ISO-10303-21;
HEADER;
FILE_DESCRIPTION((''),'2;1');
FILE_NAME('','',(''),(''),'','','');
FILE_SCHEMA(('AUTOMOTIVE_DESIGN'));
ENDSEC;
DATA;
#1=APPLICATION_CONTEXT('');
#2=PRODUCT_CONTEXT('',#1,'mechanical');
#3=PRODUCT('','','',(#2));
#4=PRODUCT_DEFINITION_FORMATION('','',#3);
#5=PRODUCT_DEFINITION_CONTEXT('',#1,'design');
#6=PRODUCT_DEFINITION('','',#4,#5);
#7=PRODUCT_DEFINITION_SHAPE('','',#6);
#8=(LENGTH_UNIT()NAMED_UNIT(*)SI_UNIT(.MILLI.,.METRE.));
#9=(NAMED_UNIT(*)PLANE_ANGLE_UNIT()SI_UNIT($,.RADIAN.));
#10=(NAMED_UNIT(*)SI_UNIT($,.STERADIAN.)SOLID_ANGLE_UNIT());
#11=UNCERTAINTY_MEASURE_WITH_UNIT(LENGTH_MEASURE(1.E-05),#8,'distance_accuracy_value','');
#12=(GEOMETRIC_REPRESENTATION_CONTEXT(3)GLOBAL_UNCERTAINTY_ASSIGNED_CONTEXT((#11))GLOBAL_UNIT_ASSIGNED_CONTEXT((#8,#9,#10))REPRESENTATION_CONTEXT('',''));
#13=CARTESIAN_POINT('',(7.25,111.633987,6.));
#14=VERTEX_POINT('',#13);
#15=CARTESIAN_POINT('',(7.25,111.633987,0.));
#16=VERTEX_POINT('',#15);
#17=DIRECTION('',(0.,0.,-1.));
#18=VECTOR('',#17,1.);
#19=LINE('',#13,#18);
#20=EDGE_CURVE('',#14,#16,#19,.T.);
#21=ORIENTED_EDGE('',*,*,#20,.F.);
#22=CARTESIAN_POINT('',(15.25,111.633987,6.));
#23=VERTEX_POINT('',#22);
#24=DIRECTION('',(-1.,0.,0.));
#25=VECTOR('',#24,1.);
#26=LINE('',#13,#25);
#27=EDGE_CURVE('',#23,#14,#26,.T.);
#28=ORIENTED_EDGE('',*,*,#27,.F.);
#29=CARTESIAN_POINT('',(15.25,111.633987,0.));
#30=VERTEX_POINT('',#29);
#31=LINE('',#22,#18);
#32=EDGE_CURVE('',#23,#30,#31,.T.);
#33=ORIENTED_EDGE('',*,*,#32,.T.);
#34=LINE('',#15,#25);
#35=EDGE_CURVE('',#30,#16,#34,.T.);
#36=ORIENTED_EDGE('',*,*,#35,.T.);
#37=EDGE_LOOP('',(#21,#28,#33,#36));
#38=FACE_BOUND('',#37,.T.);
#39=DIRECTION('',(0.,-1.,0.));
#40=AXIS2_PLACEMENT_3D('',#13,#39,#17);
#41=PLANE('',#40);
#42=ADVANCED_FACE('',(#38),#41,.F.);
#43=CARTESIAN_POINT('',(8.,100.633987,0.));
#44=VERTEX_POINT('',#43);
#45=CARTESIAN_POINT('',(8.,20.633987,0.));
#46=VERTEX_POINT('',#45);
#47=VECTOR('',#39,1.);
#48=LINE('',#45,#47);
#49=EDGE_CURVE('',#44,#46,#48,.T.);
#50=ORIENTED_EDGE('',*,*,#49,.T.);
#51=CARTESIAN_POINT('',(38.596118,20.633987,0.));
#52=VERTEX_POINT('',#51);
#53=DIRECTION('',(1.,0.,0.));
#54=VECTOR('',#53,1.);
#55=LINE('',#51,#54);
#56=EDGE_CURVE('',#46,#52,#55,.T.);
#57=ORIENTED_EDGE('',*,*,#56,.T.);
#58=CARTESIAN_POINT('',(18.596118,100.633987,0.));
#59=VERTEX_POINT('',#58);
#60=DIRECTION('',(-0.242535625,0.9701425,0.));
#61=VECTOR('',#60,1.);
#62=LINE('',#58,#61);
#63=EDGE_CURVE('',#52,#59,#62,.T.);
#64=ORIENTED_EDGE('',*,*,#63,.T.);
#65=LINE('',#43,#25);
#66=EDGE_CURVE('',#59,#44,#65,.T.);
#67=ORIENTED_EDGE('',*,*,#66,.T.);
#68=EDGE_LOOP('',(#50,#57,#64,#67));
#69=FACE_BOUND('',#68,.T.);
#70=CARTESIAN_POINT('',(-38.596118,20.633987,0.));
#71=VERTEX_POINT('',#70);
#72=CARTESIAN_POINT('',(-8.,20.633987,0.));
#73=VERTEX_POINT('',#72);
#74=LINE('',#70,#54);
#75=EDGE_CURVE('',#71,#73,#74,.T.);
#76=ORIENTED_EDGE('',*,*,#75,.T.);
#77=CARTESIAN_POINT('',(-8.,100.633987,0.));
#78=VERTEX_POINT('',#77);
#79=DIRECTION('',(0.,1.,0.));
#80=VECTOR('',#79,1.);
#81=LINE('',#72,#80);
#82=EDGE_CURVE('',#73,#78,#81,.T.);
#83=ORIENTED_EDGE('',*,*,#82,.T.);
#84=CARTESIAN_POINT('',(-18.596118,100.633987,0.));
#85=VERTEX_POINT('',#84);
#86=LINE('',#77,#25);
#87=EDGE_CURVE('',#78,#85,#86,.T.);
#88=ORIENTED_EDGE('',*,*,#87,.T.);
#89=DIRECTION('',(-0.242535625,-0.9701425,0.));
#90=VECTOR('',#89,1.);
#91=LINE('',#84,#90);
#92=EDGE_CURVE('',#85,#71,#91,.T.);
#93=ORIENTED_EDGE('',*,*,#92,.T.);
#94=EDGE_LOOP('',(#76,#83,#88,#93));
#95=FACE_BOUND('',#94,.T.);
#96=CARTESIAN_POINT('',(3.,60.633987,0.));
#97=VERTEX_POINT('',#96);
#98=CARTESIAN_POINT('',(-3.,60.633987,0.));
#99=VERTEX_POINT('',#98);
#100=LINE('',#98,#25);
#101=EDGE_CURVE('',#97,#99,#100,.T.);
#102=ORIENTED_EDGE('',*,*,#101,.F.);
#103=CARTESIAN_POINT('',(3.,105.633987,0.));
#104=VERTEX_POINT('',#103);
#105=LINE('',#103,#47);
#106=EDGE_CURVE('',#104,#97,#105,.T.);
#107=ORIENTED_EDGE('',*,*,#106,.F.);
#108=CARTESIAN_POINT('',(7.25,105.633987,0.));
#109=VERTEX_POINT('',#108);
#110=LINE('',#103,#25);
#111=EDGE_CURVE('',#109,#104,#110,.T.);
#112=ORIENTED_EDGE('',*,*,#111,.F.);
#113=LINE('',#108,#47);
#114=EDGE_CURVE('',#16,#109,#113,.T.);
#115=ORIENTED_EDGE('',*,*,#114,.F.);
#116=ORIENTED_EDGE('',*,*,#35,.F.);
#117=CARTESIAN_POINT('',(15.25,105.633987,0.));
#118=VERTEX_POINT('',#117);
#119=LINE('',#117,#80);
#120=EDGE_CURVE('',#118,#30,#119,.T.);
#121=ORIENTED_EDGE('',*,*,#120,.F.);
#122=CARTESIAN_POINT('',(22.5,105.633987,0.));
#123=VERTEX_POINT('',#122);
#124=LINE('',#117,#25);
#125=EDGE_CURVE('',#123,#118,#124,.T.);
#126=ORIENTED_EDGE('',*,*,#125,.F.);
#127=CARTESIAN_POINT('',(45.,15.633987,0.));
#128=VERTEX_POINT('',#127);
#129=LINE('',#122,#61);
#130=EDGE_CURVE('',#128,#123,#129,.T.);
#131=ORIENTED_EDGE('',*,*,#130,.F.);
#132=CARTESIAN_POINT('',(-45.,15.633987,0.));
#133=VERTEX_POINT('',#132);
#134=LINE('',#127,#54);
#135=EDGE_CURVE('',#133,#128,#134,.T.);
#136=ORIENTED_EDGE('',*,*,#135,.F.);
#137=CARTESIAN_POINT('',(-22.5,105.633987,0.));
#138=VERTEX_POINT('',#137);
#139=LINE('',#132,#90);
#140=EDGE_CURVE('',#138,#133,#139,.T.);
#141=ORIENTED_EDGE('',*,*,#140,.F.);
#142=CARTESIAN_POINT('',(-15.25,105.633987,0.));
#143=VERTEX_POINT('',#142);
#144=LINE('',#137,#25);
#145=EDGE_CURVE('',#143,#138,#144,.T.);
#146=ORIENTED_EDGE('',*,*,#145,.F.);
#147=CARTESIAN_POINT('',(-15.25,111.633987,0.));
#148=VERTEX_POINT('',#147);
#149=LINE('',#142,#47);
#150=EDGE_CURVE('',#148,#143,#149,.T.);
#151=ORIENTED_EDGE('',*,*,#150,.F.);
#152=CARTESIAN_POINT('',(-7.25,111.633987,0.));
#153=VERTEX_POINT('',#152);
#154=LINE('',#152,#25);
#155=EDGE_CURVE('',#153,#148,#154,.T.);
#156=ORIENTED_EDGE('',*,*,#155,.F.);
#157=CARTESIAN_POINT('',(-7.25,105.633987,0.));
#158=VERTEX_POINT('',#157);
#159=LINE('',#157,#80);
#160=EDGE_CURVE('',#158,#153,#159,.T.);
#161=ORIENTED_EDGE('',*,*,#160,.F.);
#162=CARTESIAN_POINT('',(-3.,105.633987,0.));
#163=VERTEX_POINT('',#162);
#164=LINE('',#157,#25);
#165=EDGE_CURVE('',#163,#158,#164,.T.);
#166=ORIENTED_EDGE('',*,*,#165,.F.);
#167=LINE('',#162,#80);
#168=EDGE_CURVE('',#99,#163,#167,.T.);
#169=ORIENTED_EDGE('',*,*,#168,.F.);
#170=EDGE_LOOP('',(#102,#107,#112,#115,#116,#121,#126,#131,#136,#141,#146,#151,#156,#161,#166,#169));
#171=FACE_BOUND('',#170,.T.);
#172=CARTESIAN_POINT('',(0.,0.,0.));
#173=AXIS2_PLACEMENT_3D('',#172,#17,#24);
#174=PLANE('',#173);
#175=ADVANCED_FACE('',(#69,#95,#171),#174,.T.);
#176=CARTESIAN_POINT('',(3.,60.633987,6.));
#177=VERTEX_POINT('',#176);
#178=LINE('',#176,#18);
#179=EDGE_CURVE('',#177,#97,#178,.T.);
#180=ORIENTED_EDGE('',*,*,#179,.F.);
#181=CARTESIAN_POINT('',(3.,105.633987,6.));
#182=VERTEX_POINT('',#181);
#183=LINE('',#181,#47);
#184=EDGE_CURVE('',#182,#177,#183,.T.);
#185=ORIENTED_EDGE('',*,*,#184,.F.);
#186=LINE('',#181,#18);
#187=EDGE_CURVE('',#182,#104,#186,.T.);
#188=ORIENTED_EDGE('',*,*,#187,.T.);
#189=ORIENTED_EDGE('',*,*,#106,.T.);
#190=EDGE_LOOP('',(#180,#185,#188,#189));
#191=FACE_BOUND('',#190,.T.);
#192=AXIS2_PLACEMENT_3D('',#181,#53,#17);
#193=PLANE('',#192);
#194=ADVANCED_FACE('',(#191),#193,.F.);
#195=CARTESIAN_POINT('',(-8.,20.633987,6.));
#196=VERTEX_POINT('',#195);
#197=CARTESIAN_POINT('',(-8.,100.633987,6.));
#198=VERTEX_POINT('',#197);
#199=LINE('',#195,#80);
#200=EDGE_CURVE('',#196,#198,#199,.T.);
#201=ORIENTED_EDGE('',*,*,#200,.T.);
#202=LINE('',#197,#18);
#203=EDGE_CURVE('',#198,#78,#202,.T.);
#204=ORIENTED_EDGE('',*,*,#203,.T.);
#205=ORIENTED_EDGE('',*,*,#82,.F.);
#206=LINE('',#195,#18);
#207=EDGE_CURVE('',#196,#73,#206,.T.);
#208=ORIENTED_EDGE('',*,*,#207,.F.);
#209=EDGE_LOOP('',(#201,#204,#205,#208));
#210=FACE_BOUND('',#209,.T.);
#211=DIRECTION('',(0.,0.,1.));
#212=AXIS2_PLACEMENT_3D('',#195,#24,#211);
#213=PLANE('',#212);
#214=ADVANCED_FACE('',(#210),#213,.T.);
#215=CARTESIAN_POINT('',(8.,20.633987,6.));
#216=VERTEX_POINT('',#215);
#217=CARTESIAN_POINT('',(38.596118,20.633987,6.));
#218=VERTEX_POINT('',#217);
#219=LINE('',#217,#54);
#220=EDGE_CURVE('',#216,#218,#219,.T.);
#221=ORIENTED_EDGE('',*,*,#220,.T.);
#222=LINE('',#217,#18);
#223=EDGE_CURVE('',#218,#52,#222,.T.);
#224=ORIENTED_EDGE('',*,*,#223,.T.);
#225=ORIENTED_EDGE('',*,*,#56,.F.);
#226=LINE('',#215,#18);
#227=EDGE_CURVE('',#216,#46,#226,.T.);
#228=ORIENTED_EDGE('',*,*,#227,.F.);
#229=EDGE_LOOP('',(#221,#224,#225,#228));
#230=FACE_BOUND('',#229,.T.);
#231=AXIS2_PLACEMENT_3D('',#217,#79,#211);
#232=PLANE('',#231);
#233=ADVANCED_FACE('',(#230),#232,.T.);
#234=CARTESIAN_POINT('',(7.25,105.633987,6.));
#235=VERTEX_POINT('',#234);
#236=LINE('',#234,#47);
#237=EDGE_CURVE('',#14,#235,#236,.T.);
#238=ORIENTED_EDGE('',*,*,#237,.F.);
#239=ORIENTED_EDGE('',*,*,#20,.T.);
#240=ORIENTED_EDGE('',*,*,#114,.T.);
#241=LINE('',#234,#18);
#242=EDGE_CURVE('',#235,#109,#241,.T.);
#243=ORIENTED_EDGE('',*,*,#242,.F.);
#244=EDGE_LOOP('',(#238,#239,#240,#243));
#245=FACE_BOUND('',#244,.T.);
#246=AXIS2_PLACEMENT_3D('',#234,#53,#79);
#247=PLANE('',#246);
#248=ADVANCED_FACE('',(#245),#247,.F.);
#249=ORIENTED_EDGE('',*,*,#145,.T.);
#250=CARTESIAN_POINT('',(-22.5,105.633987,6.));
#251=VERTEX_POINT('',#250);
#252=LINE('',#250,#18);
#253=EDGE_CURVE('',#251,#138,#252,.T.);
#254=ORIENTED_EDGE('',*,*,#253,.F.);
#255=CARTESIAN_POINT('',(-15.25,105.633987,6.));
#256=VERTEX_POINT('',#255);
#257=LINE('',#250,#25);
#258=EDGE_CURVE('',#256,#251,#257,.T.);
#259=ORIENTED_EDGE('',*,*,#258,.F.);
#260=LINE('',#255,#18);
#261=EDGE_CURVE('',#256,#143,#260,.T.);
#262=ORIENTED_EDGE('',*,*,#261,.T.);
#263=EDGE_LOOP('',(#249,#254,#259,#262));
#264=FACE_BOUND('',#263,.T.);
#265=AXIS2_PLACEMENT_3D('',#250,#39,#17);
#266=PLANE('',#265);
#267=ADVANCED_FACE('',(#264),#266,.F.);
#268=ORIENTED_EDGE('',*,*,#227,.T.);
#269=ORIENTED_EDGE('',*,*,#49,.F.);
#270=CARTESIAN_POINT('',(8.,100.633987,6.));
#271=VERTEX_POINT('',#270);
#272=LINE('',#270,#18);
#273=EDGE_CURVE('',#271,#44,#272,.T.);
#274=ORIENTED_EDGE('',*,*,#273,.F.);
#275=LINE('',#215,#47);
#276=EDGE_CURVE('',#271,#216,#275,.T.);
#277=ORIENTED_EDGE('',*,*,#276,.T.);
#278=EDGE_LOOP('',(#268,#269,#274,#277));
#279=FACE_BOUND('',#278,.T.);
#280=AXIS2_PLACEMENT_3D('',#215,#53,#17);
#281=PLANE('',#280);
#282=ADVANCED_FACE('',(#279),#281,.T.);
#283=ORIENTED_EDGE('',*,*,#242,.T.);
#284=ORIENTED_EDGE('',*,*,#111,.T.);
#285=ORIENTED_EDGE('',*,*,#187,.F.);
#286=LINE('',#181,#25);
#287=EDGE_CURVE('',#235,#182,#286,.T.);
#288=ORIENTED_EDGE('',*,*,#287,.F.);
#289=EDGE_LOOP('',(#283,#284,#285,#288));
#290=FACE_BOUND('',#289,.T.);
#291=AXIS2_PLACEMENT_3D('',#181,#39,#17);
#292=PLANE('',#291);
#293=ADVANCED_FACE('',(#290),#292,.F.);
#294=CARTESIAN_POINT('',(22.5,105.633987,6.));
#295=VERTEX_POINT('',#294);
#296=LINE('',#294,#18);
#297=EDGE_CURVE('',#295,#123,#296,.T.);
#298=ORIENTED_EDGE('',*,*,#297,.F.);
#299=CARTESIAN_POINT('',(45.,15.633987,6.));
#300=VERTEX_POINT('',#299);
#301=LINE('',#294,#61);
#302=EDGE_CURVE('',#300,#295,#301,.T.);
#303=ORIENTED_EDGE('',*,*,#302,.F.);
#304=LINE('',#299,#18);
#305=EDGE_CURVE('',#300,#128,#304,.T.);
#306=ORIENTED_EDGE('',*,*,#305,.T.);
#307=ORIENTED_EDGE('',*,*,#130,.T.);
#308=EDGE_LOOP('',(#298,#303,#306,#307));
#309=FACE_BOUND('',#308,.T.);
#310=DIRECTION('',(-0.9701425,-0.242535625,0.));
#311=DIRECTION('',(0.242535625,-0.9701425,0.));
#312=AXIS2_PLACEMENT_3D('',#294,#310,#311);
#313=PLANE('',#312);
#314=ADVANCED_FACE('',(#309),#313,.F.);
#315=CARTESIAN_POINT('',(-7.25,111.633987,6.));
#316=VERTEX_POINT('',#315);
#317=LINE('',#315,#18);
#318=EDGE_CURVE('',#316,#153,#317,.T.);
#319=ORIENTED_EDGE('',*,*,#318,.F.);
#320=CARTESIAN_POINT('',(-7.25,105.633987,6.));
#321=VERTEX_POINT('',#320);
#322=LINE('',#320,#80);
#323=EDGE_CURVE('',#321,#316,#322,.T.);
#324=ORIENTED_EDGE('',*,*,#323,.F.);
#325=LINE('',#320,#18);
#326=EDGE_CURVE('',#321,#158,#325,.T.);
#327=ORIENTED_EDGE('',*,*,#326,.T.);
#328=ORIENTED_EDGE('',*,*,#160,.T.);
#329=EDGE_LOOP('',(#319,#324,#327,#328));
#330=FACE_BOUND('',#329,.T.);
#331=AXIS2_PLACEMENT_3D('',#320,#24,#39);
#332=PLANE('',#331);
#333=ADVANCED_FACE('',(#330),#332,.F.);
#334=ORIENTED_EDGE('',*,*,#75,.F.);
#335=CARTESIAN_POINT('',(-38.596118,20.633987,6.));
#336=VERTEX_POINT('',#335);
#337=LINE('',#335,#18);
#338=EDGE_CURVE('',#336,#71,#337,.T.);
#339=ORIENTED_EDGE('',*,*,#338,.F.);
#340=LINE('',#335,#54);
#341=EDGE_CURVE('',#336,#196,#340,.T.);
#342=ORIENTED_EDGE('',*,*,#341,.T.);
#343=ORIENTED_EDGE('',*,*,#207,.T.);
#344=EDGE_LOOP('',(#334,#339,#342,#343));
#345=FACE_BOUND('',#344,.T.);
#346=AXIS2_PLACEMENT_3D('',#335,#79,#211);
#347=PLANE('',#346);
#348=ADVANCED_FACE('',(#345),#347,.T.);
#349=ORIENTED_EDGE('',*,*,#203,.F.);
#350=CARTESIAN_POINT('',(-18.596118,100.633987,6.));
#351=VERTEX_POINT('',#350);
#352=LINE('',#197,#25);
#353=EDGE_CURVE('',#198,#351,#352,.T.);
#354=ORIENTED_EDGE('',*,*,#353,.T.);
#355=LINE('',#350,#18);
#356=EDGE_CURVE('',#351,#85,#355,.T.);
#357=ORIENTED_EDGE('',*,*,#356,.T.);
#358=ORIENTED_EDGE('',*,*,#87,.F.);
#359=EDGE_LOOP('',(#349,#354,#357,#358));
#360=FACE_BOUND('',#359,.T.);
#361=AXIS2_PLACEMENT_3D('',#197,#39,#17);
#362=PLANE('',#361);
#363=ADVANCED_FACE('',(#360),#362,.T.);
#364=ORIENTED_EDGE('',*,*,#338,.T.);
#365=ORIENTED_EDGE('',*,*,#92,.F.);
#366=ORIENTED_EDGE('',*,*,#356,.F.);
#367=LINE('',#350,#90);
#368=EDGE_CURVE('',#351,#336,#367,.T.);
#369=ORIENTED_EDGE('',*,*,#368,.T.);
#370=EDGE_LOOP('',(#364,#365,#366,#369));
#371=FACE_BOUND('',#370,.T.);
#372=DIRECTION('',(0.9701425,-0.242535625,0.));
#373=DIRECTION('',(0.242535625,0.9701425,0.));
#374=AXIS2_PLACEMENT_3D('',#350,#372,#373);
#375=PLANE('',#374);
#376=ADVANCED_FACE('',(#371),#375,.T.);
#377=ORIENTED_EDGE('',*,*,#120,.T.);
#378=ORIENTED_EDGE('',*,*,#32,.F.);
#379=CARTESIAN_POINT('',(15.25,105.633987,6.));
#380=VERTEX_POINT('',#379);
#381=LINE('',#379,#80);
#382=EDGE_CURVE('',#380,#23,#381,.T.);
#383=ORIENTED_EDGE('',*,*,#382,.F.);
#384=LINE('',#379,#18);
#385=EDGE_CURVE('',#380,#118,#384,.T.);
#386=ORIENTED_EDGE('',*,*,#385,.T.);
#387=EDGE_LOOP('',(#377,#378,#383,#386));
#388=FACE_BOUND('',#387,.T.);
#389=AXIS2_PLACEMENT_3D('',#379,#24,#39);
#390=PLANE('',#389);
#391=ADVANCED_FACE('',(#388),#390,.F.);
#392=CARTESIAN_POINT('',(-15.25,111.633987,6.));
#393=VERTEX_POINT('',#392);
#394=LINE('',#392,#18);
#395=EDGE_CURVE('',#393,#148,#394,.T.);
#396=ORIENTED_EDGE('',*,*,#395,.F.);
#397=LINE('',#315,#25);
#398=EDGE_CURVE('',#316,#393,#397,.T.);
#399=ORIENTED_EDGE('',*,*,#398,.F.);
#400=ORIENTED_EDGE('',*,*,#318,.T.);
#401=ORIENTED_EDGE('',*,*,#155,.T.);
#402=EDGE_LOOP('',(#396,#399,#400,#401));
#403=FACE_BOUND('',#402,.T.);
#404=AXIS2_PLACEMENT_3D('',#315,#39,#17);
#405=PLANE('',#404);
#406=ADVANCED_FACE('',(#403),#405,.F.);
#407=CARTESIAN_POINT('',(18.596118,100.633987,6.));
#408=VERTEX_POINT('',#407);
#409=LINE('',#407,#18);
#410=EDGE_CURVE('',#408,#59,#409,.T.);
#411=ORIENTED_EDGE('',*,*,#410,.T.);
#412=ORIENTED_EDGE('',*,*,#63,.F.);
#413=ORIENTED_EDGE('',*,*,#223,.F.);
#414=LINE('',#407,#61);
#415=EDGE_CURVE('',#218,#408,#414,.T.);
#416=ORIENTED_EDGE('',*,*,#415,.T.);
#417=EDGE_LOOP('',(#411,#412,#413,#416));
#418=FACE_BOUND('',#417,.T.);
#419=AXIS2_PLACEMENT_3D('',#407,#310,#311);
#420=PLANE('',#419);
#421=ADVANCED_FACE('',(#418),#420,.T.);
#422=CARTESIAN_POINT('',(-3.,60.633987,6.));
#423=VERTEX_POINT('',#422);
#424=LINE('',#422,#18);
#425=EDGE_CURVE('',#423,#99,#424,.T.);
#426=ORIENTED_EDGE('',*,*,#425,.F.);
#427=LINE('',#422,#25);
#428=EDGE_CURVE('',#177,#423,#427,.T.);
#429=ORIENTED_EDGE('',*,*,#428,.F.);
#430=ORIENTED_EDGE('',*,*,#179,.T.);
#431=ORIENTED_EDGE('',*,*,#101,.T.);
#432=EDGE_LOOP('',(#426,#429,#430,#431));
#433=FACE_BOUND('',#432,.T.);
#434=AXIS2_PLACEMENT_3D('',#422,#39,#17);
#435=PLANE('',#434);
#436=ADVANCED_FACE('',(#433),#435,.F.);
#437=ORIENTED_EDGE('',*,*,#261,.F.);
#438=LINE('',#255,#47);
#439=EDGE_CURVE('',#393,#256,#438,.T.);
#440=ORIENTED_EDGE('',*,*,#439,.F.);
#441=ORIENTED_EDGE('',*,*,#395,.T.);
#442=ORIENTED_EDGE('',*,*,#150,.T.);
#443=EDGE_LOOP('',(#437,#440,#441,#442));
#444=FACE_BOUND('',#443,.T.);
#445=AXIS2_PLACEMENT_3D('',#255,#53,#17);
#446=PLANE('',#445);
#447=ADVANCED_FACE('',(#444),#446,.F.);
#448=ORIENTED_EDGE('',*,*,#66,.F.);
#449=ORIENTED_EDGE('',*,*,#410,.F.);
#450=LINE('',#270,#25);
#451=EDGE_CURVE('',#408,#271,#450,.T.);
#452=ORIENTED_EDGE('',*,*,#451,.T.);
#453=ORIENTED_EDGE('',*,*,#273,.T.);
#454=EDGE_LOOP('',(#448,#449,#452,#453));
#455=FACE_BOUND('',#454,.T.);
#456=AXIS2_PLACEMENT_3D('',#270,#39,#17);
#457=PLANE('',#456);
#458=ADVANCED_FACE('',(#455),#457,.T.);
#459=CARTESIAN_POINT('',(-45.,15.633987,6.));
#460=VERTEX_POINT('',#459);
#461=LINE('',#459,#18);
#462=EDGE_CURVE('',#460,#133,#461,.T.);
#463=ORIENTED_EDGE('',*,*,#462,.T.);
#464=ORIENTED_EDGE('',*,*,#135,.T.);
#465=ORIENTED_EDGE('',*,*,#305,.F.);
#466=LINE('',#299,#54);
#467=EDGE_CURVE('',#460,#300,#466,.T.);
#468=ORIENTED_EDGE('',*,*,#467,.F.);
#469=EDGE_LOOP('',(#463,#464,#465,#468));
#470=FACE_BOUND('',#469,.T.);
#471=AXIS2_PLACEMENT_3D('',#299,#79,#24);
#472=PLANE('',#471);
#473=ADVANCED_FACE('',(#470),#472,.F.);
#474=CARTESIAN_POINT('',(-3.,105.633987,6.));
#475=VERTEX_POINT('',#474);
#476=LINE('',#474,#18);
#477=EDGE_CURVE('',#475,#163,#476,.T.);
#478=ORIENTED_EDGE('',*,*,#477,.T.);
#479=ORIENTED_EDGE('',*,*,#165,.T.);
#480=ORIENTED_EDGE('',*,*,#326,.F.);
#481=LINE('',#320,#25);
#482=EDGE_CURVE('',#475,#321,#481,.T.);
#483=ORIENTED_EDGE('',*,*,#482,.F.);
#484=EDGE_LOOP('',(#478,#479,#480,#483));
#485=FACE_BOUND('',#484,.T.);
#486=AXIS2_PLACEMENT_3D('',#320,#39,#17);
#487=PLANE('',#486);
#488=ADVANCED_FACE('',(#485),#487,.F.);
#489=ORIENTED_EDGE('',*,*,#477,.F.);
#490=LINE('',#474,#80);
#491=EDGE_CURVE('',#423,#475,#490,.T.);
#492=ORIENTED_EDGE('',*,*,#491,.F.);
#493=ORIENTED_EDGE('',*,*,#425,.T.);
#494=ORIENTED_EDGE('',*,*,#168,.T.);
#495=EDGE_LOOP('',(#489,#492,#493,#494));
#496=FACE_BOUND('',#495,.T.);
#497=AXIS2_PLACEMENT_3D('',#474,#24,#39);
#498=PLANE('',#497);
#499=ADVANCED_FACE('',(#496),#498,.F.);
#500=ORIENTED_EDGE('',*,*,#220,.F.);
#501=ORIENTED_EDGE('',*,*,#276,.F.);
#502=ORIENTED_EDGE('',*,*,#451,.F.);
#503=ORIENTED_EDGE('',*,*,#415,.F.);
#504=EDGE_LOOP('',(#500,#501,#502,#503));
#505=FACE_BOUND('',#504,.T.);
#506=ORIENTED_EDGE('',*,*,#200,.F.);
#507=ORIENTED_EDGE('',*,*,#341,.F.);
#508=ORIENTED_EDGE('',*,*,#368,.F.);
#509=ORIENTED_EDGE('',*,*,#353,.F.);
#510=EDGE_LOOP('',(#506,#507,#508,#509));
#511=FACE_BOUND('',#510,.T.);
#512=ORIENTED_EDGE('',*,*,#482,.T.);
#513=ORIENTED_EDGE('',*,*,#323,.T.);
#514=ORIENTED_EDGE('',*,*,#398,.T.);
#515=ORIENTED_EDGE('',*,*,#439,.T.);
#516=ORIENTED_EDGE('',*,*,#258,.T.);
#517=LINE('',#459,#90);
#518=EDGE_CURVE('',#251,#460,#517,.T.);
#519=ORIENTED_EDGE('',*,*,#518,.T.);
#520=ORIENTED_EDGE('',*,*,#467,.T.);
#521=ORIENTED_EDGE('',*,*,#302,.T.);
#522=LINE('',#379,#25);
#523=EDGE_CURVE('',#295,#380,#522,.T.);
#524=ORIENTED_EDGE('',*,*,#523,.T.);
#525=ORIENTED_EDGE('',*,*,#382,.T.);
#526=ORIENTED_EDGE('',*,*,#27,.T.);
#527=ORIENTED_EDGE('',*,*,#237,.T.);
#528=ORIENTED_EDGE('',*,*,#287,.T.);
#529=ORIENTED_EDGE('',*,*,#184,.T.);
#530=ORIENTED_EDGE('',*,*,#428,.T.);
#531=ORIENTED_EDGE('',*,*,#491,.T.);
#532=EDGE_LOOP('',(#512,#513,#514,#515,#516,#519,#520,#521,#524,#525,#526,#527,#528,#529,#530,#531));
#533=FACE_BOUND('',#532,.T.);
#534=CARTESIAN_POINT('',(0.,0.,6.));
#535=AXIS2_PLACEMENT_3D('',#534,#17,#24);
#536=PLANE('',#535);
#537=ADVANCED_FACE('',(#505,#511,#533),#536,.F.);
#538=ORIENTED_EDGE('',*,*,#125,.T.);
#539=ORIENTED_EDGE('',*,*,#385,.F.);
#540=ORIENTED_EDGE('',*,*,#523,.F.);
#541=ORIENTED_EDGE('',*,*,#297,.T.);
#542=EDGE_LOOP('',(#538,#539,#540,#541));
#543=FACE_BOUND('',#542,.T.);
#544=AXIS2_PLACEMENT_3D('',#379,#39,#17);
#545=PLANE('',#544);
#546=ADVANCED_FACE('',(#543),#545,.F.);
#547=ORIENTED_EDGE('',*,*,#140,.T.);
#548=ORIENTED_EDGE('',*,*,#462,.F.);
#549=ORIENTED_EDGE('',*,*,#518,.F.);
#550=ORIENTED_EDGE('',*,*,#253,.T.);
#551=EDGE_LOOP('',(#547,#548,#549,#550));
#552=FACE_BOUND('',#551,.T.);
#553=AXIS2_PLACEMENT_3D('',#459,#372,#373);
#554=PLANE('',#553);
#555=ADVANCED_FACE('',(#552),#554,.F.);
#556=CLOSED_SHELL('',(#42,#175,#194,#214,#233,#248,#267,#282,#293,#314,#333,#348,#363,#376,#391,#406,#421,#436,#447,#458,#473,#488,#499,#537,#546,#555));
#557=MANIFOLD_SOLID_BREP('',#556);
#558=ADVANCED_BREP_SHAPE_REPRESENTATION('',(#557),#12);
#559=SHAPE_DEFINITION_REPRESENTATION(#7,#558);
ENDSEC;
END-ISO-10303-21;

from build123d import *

# Parameters (mm, degrees)
BOSS_EXTRUDE1_DEPTH = 6


with BuildPart() as part:
    # Sketch1 → Boss-Extrude1 (new body)
    with BuildSketch(Plane.XY):
        Polygon((45, 15.633986602), (-45, 15.633986602), (-22.5, 105.633986602), (-15.25, 105.633986602), (-15.25, 111.633986602), (-7.25, 111.633986602), (-7.25, 105.633986602), (-3, 105.633986602), (-3, 60.633986602), (3, 60.633986602), (3, 105.633986602), (7.25, 105.633986602), (7.25, 111.633986602), (15.25, 111.633986602), (15.25, 105.633986602), (22.5, 105.633986602), align=None)
        Polygon((-8, 100.633986602), (-18.596117968, 100.633986602), (-38.596117968, 20.633986602), (-8, 20.633986602), align=None, mode=Mode.SUBTRACT)
        Polygon((38.596117968, 20.633986602), (8, 20.633986602), (8, 100.633986602), (18.596117968, 100.633986602), align=None, mode=Mode.SUBTRACT)
    extrude(amount=BOSS_EXTRUDE1_DEPTH)


solid = part.part
